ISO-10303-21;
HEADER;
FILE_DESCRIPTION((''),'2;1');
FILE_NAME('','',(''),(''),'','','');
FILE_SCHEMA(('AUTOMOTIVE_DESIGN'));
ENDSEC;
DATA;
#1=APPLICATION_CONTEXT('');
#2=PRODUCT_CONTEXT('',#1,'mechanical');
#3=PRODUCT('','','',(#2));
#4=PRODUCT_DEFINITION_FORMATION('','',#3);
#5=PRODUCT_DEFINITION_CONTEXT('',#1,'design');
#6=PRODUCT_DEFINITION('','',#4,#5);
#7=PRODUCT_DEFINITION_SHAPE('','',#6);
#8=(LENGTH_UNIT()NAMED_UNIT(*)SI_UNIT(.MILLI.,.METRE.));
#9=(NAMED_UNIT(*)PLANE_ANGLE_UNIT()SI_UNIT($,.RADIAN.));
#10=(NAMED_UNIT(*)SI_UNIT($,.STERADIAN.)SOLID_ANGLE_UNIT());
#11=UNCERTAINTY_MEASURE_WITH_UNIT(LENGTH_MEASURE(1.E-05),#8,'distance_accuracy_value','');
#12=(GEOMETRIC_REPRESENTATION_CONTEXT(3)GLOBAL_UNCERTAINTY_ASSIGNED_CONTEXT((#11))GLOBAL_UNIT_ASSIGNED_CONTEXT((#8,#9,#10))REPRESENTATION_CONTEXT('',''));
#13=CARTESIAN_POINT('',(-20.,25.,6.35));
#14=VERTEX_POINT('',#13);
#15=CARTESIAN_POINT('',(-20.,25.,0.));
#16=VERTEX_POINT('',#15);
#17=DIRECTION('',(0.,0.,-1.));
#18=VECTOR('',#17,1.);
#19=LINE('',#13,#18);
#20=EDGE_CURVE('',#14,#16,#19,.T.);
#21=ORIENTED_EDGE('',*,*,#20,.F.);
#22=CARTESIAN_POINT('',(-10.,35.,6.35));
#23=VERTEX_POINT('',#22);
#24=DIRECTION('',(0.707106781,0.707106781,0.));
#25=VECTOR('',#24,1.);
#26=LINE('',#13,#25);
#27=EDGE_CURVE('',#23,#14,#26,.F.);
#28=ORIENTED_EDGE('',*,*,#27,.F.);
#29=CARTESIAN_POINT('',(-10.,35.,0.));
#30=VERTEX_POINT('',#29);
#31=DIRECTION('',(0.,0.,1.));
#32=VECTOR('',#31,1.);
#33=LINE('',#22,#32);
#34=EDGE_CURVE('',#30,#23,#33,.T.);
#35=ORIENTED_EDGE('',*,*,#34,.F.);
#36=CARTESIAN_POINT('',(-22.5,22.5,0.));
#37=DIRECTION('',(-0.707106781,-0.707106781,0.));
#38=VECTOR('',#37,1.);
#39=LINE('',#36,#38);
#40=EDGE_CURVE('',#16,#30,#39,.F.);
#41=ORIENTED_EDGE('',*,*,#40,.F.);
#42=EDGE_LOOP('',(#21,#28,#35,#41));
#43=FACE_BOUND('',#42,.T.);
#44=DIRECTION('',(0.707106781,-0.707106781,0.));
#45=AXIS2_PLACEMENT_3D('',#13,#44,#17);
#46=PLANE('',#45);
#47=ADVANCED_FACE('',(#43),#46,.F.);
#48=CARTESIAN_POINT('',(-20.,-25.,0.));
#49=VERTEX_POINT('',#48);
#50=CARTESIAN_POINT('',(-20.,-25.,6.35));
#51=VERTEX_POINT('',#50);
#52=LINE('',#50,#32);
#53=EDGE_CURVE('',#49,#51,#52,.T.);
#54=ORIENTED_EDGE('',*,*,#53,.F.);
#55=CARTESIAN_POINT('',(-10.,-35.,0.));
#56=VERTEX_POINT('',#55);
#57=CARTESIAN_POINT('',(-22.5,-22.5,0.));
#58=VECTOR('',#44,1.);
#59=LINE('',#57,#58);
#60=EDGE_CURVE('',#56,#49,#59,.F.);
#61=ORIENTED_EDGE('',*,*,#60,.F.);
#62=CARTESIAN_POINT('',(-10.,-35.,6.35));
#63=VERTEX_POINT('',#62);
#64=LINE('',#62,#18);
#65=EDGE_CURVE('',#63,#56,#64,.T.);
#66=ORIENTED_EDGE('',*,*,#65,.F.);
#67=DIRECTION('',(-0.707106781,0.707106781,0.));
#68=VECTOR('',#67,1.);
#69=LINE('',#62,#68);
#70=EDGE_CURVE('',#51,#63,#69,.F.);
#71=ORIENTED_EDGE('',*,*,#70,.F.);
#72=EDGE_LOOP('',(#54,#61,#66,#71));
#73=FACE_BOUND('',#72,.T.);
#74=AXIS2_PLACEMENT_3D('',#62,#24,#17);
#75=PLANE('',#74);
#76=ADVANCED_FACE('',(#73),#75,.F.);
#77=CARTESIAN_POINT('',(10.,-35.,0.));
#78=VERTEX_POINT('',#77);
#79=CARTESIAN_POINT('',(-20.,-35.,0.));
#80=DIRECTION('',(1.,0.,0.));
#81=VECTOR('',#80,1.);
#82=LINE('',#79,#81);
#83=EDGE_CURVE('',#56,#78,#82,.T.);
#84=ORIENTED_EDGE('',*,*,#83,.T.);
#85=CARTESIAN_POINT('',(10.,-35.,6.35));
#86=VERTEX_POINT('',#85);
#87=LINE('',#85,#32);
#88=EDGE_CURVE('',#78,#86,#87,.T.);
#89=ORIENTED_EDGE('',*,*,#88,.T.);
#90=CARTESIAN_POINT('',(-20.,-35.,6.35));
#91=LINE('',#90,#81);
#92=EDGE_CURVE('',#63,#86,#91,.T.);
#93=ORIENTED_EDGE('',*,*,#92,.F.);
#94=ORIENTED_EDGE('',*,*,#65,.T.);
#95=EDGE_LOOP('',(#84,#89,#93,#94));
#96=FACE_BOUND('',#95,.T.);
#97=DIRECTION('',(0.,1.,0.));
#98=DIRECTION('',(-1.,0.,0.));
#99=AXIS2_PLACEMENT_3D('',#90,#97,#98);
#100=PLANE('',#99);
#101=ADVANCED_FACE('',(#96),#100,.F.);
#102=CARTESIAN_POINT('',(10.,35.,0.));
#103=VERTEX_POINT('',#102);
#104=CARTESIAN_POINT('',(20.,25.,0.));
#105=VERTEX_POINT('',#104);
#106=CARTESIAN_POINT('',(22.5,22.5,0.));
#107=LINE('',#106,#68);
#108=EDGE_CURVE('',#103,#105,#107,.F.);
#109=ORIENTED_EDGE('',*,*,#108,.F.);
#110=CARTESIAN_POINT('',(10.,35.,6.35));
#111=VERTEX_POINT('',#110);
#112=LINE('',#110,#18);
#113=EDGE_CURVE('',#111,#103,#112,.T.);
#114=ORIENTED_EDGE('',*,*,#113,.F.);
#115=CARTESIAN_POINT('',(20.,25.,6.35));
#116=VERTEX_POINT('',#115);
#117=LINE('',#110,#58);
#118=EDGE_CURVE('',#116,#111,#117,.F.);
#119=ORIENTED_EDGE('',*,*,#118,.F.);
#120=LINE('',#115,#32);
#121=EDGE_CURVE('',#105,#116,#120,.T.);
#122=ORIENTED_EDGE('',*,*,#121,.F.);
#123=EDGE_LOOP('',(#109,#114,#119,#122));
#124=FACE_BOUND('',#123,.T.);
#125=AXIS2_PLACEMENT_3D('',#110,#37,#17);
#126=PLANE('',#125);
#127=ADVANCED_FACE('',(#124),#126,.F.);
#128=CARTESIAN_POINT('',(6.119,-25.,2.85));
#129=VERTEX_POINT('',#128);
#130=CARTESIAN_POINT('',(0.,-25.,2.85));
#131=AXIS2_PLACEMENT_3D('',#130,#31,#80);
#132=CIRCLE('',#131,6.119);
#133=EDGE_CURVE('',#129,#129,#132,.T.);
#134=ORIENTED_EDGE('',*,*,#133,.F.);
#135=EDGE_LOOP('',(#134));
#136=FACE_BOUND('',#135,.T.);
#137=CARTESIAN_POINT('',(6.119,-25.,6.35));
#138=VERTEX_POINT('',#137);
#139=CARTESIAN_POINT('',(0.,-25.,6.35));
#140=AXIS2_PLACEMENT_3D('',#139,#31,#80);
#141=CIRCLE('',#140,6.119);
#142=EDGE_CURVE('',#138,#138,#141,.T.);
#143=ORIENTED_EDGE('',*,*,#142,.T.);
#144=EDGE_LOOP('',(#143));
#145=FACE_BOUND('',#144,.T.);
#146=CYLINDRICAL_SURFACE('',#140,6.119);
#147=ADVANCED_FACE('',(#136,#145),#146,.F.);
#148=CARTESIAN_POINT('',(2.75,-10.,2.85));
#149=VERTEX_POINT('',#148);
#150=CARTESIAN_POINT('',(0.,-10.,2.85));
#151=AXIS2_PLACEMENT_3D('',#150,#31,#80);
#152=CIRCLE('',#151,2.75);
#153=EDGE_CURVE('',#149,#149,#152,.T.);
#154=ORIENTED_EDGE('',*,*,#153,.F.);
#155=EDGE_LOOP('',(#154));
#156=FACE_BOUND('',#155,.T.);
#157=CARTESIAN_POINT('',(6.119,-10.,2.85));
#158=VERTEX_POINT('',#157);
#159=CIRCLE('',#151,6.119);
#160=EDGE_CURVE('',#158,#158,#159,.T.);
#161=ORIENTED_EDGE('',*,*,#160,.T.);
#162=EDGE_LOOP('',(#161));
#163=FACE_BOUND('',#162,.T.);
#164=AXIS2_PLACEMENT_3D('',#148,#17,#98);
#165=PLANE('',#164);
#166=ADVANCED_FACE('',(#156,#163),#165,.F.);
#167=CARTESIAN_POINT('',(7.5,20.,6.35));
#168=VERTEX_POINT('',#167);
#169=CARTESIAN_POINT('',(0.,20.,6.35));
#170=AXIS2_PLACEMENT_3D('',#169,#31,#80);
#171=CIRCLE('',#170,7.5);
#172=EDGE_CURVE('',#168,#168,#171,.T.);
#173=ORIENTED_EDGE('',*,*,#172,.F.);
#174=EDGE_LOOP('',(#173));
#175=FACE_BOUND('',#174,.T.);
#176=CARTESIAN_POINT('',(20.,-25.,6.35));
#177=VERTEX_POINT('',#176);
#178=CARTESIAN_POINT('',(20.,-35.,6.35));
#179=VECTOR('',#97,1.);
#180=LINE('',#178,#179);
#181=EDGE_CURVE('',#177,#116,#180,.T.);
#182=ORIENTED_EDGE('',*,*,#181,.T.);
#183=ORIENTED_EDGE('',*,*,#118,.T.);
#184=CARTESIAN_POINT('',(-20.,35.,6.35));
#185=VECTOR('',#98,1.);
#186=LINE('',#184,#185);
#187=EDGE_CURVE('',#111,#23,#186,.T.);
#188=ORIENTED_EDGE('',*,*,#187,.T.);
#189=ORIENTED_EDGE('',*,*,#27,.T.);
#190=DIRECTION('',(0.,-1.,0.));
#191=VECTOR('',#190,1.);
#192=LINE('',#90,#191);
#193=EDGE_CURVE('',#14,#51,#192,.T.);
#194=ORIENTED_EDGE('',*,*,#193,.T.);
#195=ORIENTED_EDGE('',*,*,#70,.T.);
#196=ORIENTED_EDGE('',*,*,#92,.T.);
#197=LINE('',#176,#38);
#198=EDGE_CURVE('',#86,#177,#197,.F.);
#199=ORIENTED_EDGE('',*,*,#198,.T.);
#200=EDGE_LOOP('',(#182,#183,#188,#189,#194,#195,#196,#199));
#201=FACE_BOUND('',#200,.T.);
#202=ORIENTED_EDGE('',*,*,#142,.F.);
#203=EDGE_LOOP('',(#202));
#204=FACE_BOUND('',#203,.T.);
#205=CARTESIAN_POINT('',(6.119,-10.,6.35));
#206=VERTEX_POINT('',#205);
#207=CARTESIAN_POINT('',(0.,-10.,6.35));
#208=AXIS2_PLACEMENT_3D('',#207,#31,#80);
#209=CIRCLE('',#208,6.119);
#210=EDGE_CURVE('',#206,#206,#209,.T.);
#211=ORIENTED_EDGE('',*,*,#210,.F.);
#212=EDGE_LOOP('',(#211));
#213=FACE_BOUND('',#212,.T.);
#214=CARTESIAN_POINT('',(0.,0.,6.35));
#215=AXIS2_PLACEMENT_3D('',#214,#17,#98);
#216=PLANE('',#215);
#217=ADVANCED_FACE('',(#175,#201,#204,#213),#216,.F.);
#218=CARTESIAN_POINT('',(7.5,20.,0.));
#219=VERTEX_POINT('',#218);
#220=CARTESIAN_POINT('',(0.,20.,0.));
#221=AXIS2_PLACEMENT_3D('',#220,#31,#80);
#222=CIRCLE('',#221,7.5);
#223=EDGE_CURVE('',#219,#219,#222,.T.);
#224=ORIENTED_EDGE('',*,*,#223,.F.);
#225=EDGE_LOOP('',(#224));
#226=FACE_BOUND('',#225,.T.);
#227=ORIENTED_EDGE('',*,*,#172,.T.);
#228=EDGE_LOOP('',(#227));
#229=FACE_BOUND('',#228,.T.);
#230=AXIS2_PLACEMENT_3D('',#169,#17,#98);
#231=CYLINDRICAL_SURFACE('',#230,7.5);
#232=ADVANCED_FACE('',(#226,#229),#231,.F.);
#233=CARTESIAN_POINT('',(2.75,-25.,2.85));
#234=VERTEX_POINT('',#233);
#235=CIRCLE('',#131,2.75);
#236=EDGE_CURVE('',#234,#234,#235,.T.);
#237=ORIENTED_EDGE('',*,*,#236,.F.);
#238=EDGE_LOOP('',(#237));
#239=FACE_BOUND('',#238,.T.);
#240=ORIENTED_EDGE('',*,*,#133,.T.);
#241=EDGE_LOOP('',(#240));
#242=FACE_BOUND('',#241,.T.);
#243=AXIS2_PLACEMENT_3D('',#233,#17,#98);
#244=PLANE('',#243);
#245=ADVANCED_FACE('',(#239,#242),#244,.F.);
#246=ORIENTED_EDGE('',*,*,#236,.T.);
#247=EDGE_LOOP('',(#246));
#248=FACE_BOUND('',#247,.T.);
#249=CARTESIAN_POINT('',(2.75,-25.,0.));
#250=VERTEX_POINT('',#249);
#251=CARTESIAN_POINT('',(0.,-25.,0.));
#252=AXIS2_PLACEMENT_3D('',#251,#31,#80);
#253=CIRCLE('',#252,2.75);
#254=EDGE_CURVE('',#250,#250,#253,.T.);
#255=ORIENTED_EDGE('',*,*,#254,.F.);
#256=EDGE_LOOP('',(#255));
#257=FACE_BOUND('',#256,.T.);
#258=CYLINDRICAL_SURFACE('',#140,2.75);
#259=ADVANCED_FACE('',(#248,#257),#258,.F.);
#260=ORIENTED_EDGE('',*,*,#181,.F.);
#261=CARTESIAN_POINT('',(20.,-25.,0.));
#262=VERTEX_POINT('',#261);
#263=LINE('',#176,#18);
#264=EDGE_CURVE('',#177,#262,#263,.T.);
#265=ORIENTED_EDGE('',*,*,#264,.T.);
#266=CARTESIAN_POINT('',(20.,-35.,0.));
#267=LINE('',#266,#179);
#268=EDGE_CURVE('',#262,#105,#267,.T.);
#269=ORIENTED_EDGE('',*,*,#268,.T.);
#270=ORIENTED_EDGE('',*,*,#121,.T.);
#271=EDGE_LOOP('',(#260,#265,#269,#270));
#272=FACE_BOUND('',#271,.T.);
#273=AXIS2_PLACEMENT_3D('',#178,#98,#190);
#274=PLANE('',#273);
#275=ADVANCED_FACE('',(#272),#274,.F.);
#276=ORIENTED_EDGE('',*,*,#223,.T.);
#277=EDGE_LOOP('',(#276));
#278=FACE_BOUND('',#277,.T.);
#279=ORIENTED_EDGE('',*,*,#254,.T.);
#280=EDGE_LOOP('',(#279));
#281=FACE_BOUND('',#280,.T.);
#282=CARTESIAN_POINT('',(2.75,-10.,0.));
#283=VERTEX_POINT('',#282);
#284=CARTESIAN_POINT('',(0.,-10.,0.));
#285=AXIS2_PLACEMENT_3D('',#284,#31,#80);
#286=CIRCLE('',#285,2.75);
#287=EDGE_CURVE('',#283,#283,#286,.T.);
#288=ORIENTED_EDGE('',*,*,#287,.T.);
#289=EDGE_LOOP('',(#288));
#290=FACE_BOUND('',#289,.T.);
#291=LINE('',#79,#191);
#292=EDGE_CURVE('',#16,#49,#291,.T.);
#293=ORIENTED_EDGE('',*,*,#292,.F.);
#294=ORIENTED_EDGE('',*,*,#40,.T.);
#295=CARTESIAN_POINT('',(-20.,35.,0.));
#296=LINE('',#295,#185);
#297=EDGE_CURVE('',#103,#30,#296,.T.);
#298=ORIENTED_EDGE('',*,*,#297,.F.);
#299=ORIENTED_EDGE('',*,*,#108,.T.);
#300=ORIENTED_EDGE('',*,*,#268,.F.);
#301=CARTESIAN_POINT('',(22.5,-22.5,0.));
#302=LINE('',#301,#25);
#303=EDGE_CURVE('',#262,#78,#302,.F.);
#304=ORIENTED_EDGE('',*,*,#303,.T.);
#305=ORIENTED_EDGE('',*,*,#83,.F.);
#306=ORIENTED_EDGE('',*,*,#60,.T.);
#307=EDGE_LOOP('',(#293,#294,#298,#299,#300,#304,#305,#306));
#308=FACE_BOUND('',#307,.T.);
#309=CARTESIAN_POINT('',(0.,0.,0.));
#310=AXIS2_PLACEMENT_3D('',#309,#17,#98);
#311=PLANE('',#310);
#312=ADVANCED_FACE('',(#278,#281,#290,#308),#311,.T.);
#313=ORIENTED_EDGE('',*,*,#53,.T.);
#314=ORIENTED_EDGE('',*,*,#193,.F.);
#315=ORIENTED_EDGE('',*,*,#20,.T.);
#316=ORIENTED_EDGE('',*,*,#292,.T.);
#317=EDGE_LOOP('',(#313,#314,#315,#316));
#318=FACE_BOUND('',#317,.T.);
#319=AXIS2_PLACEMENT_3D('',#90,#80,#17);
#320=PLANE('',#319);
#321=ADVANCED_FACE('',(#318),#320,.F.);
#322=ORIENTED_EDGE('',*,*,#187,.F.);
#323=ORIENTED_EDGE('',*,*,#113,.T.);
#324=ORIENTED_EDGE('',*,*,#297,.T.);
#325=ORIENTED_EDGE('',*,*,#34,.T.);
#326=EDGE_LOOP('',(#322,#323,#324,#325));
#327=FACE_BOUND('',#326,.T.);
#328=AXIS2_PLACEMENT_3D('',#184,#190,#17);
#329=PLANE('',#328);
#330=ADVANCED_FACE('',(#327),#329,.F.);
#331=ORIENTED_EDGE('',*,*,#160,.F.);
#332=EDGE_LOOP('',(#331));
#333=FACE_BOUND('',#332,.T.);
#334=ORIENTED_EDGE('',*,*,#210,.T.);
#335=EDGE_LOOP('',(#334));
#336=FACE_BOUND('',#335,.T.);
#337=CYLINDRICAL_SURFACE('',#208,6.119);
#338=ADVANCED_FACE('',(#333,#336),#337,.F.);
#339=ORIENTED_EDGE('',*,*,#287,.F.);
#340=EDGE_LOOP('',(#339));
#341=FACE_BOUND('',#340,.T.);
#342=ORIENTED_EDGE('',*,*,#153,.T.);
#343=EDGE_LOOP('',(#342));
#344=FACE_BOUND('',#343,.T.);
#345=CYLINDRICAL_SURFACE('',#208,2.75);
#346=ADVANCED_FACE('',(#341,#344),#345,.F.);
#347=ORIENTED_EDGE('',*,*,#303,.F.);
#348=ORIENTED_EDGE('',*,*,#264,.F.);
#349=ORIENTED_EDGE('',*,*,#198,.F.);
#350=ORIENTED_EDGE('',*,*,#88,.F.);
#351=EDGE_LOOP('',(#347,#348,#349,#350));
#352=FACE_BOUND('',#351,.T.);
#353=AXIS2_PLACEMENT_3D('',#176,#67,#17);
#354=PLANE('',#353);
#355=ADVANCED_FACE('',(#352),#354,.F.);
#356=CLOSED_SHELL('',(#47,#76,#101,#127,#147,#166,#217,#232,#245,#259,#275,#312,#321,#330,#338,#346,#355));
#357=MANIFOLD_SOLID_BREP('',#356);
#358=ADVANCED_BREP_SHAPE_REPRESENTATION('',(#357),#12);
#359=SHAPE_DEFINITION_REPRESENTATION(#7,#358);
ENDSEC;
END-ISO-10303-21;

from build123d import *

# Parameters (mm, degrees)
SKETCH1_W                               = 40
SKETCH1_H                               = 70
SKETCH1_R                               = 7.5
BOSS_EXTRUDE1_DEPTH                     = 6.35
CBORE_FOR_M5_HEX_HEAD_BOLT1_D           = 5.5
CBORE_FOR_M5_HEX_HEAD_BOLT1_CBORE_D     = 12.238
CBORE_FOR_M5_HEX_HEAD_BOLT1_CBORE_DEPTH = 3.5
CHAMFER1_SIZE                           = 10


with BuildPart() as part:
    # Sketch1 → Boss-Extrude1 (new body)
    with BuildSketch(Plane.XY):
        Rectangle(SKETCH1_W, SKETCH1_H)
        with Locations((0, 20)):
            Circle(SKETCH1_R, mode=Mode.SUBTRACT)
    extrude(amount=BOSS_EXTRUDE1_DEPTH)

    # CBORE for M5 Hex Head Bolt1 (through all)
    with Locations(Plane.XY.offset(6.35)):
        with Locations((0, -10), (0, -25)):
            CounterBoreHole(CBORE_FOR_M5_HEX_HEAD_BOLT1_D / 2, CBORE_FOR_M5_HEX_HEAD_BOLT1_CBORE_D / 2, CBORE_FOR_M5_HEX_HEAD_BOLT1_CBORE_DEPTH)

    # Chamfer1
    chamfer1_edges = [part.edges().sort_by_distance(p)[0] for p in [
        (-20, 35, 3.175),
        (20, 35, 3.175),
        (20, -35, 3.175),
        (-20, -35, 3.175),
    ]]
    chamfer(chamfer1_edges, length=CHAMFER1_SIZE)


solid = part.part
